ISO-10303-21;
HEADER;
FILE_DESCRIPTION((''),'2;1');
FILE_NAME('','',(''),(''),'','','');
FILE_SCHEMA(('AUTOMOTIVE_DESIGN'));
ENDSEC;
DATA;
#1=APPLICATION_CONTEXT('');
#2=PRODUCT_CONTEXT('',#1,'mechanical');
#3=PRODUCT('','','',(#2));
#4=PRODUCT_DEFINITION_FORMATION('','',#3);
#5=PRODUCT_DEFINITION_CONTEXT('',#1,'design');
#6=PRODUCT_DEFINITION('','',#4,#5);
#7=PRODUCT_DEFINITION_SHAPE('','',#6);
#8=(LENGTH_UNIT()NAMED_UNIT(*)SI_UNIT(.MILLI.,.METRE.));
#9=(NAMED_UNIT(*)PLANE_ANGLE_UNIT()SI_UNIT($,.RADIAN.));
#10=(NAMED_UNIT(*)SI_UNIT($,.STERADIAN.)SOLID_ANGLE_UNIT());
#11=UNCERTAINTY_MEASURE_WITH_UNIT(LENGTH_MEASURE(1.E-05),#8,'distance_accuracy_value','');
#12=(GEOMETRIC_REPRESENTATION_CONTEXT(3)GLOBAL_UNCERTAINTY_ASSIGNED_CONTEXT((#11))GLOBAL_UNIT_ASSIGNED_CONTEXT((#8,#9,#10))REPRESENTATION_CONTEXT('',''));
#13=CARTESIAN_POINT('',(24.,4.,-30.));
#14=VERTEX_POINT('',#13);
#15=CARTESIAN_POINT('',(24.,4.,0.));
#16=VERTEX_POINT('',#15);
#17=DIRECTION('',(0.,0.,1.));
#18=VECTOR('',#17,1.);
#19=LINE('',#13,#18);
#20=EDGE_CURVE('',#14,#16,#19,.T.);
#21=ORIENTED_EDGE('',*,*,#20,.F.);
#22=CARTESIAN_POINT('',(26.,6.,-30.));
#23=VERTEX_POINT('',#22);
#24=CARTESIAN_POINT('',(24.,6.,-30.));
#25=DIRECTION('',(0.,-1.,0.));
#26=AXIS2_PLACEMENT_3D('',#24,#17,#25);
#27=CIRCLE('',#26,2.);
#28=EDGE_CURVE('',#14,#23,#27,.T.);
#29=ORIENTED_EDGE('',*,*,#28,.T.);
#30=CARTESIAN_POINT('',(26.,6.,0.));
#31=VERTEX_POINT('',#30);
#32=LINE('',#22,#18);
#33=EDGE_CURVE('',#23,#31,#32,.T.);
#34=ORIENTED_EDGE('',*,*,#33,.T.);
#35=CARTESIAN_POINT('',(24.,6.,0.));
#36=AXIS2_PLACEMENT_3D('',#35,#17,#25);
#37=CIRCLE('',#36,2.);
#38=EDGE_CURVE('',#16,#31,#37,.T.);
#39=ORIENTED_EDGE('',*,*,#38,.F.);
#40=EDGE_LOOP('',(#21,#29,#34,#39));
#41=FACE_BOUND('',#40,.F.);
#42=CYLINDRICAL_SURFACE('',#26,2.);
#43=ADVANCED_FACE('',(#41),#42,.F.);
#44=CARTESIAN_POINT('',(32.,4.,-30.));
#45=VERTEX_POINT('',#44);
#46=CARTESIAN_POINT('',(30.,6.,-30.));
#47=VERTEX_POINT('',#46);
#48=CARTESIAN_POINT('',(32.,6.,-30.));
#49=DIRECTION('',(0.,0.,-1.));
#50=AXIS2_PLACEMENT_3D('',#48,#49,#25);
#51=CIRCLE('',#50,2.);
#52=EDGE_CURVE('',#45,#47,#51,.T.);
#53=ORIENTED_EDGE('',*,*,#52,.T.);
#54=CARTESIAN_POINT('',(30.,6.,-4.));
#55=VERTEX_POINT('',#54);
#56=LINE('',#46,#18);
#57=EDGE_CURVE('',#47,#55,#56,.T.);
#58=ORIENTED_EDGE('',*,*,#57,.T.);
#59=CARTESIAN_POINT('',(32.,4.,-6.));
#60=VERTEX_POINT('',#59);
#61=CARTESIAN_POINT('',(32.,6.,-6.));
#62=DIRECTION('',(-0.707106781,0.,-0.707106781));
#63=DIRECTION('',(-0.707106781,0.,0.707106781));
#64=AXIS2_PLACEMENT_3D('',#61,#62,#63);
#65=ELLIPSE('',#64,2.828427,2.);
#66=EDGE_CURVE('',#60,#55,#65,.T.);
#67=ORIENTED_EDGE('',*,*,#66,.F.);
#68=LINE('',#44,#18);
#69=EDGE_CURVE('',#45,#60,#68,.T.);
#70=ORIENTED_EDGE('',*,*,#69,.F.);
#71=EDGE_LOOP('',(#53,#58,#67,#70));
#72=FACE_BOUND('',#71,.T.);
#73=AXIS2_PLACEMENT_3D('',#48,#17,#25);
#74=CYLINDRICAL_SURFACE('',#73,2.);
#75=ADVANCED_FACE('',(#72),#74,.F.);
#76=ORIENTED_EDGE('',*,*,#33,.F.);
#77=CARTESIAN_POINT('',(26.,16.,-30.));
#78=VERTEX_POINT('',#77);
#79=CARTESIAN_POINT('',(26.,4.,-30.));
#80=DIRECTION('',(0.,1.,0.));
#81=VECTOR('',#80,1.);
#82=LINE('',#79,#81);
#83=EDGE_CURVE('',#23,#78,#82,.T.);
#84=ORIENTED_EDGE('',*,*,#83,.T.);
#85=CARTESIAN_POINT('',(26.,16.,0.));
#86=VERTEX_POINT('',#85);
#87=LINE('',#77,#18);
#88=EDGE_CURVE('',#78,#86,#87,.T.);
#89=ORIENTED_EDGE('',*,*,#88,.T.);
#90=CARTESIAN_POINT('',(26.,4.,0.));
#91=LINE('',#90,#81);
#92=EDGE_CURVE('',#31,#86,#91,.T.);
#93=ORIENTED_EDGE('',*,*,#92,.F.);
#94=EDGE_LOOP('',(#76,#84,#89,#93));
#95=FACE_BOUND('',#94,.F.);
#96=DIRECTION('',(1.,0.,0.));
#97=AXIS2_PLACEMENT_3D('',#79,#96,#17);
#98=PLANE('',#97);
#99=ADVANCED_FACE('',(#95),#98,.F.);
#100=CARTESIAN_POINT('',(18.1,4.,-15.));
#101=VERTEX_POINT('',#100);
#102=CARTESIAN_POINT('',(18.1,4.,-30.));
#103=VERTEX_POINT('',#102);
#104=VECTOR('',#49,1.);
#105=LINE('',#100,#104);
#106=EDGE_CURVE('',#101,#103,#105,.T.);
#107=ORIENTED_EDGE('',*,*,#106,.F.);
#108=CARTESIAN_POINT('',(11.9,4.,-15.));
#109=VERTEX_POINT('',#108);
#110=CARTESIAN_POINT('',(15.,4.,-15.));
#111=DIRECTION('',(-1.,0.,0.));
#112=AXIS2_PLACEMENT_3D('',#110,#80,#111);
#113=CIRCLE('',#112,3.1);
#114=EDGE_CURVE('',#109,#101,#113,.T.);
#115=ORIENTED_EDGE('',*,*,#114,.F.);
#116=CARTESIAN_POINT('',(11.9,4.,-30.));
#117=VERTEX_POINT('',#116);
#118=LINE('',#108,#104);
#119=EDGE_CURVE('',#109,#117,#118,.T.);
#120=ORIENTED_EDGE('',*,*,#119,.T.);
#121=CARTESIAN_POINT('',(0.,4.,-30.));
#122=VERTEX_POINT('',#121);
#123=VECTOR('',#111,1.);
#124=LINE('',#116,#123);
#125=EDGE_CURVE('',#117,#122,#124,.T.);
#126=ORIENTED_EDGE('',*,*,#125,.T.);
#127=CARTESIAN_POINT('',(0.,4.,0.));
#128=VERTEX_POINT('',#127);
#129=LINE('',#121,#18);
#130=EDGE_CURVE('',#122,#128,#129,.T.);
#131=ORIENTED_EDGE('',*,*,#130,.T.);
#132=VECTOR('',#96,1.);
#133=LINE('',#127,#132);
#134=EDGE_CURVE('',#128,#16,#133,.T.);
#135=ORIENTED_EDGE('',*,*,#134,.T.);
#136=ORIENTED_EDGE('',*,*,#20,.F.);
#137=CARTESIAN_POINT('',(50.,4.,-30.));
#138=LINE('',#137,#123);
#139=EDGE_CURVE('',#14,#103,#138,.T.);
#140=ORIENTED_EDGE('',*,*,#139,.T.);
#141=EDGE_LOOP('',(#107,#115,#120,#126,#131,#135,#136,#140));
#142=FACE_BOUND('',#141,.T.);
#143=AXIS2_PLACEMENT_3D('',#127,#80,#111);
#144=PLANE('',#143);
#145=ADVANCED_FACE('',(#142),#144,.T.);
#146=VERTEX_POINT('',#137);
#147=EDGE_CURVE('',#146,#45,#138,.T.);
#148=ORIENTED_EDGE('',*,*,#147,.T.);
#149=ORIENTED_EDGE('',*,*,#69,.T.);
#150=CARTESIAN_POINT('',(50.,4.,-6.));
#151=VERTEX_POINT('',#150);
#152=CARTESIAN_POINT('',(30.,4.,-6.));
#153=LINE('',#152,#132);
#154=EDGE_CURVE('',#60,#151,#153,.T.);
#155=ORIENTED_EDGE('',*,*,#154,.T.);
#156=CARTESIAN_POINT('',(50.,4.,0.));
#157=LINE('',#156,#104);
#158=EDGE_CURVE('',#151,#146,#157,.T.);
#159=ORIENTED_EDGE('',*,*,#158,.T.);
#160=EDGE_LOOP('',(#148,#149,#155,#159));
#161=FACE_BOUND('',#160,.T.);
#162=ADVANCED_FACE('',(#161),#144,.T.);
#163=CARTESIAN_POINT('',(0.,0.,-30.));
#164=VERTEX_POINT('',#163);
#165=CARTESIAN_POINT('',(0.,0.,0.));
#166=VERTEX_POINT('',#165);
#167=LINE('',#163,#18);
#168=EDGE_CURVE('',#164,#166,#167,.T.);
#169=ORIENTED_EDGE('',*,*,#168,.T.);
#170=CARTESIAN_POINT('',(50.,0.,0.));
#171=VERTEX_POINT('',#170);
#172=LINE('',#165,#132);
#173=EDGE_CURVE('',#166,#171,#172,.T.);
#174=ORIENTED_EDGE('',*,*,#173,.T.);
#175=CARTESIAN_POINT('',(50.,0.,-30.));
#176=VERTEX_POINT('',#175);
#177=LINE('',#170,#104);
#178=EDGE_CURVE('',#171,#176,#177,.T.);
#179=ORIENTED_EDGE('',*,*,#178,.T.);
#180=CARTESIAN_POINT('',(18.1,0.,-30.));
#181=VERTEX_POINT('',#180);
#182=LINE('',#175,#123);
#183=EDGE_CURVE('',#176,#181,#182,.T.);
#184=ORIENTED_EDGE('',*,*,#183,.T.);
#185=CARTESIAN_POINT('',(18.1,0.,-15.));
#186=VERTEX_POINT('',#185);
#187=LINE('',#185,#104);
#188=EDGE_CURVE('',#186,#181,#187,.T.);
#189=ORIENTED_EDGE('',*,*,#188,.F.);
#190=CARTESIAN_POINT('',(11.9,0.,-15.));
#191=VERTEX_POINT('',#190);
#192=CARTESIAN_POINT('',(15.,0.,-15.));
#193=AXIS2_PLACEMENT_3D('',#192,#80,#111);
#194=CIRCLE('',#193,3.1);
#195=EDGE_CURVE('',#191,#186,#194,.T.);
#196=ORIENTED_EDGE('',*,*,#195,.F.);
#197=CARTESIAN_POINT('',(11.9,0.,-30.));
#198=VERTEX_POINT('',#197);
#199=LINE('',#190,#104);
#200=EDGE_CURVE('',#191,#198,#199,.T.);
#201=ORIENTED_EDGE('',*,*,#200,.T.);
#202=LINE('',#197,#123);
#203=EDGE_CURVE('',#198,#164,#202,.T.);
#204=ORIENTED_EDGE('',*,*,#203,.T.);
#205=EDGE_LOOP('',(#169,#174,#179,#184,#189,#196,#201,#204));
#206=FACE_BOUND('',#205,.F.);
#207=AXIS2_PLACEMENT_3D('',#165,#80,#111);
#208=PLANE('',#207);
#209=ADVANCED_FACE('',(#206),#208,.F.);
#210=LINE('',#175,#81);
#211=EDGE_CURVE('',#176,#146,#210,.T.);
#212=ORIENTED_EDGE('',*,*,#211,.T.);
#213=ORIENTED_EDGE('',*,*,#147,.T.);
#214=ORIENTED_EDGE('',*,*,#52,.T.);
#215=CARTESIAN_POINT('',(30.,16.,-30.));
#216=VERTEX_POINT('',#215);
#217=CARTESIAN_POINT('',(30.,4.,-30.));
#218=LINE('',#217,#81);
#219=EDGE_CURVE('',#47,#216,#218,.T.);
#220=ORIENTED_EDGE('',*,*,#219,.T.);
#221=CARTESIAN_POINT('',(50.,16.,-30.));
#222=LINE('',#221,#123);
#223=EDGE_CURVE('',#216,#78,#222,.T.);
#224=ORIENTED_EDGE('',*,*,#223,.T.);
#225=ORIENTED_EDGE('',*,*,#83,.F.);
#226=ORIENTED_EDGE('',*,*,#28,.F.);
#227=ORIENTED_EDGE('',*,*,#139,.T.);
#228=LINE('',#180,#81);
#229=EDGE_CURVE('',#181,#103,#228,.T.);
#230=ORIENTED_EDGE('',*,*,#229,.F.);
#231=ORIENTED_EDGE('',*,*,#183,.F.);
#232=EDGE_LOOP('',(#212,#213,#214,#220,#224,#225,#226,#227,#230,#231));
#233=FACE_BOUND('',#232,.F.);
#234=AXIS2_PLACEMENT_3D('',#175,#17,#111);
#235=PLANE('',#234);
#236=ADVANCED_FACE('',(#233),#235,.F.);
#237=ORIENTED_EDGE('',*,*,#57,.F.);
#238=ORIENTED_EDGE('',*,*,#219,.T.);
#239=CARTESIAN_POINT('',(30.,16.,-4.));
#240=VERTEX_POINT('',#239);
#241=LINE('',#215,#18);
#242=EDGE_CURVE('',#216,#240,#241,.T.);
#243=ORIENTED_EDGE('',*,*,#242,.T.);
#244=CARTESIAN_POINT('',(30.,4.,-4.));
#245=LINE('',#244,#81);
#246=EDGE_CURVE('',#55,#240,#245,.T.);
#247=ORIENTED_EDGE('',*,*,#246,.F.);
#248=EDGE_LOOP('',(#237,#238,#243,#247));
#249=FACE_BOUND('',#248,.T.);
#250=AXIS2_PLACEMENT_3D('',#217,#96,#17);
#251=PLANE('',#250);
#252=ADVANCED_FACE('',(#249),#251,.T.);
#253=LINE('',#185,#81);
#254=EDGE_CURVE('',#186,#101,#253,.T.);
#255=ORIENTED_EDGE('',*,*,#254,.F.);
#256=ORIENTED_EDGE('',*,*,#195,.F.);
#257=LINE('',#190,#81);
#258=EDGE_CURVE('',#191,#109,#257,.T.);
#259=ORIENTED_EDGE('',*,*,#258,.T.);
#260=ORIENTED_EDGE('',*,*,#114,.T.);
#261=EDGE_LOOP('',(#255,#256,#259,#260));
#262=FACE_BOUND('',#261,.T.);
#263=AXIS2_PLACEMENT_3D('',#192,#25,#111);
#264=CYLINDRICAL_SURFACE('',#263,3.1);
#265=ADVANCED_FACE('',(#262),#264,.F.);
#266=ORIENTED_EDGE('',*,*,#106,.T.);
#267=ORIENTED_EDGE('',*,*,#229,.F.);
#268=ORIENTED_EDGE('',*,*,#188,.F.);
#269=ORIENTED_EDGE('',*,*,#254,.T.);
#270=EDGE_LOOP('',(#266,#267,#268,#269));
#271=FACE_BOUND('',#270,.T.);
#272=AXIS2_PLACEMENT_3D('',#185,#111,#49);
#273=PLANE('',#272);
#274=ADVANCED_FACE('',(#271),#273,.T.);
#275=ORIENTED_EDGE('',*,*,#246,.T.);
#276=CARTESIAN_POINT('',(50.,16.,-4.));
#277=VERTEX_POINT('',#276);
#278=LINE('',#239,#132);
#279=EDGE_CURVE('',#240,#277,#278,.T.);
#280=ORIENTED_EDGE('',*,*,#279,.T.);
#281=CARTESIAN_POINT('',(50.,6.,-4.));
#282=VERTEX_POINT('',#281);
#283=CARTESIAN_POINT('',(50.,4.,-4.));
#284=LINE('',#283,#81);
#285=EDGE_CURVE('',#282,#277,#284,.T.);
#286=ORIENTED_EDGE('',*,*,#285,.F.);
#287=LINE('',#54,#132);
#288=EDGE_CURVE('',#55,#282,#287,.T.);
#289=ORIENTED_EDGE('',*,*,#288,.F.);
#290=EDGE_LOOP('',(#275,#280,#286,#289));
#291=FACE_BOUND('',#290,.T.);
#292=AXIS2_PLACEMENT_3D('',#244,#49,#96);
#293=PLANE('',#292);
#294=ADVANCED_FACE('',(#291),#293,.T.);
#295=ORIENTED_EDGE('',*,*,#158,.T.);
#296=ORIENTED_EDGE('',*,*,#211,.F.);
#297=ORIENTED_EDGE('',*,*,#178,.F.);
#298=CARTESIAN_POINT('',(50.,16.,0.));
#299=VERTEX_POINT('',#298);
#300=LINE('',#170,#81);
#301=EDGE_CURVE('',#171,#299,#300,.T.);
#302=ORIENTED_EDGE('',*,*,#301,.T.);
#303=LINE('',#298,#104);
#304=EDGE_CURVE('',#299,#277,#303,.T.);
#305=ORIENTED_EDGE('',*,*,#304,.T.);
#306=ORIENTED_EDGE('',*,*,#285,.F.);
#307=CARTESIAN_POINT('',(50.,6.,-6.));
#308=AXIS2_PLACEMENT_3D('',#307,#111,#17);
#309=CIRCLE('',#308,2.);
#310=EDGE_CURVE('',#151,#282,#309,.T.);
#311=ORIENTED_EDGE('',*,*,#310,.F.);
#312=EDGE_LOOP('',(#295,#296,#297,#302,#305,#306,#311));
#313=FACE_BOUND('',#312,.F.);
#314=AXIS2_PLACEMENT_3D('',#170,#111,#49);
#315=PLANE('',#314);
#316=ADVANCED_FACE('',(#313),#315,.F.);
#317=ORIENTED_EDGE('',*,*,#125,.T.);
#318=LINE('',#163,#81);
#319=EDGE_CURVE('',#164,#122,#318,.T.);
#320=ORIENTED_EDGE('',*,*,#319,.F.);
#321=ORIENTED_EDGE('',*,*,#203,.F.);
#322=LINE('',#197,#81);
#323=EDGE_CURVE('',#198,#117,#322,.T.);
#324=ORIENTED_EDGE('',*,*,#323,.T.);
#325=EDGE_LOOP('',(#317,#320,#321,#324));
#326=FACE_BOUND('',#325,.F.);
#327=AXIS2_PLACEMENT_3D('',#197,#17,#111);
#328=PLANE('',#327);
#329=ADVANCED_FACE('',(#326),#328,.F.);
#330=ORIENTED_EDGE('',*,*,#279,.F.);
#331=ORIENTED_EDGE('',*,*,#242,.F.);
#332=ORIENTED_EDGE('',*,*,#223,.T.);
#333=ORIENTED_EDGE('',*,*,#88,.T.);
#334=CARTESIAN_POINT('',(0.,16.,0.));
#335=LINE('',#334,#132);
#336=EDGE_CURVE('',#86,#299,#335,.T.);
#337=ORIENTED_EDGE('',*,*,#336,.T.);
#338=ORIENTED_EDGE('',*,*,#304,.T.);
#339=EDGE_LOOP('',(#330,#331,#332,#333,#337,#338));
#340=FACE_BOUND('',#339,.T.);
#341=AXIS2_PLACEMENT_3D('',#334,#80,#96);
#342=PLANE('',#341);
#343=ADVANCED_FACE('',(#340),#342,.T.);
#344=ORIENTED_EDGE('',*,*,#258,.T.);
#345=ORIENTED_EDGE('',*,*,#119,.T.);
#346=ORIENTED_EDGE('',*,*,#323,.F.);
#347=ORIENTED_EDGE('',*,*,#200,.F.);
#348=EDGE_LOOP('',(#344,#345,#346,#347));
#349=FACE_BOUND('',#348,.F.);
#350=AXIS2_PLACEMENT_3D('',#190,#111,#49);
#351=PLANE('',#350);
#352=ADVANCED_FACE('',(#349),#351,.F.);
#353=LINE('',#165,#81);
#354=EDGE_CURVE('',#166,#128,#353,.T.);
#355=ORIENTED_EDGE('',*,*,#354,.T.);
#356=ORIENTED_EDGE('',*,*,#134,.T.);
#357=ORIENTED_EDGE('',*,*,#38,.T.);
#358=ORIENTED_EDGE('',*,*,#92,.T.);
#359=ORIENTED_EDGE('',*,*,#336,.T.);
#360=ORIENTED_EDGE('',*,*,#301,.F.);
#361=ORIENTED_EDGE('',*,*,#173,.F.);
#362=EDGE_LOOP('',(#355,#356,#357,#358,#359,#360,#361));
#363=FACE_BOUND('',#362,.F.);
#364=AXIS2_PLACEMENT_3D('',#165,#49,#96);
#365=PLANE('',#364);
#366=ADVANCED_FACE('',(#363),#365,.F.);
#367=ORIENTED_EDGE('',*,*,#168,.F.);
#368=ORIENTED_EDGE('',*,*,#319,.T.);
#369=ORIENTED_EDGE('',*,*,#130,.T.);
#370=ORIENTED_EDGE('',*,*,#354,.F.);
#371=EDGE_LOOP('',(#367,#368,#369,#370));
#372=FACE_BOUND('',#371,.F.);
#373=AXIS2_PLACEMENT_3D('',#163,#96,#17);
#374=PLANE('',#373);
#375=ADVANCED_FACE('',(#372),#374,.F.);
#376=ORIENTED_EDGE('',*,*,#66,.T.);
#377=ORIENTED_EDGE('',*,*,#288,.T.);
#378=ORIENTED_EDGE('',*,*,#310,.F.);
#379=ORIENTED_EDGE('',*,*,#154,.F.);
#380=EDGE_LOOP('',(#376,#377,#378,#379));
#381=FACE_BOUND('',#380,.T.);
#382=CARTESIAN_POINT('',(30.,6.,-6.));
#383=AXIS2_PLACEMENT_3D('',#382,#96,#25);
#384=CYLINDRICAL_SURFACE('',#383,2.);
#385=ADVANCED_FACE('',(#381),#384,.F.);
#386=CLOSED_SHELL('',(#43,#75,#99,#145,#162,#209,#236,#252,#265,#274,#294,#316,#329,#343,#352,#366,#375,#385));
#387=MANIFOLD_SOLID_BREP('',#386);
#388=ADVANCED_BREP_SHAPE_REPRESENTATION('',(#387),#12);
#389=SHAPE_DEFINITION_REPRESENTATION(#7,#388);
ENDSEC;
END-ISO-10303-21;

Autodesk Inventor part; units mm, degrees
ref_plane "YZ Plane" through (0, 0, 0) normal (1, 0, 0) x (0, 1, 0)
ref_plane "XZ Plane" through (0, 0, 0) normal (0, 1, 0) x (-1, 0, 0)
ref_plane "XY Plane" through (0, 0, 0) normal (0, 0, 1) x (1, 0, 0)
sketch "Sketch1" plane through (0, 0, 0) normal (0, 1, 0) x (-1, 0, 0)
  line L0 (0, 0) -> (-50, 0)
  line L1 (-50, 0) -> (-50, -30)
  line L2 (0, -30) -> (0, 0)
  line L3 (-50, -15) -> (-15, -15) construction
  arc A0 (-11.9, -15) -> (-18.1, -15) centre (-15, -15) ccw
  line L4 (-11.9, -15) -> (-11.9, -30)
  line L5 (-18.1, -15) -> (-18.1, -30)
  line L6 (-50, -30) -> (-18.1, -30)
  line L7 (-11.9, -30) -> (0, -30)
  dimension "d0" = 35
  dimension "d1" = 6.2
  dimension "d2" = 30
  dimension "d3" = 50
extrude "Extrusion1" add sketch "Sketch1" along normal blind 4
sketch "Sketch3" plane through (0, 4, 0) normal (0, 1, 0) x (1, 0, 0)
  line L0 (50, 30) -> (18.1, 30) projected
  line L1 (30, 30) -> (30, 4)
  line L2 (30, 4) -> (50, 4)
  line L3 (0, 30) -> (0, 0) projected
  line L4 (26, 30) -> (26, 0)
  line L5 (0, 0) -> (50, 0) projected
  line L6 (50, 0) -> (50, 30) projected
  dimension "d12" = 30
  dimension "d13" = 4
  dimension "d14" = 4
extrude "Extrusion3" add sketch "Sketch3" along normal blind 12 contours L1 L2 L6 L5 L4 L0
fillet "Fillet2" radius 2 3 edges at (26, 4, -15) (30, 4, -17) (40, 4, -4)
properties part number "Laptop-ecke-l_3DPrint"
